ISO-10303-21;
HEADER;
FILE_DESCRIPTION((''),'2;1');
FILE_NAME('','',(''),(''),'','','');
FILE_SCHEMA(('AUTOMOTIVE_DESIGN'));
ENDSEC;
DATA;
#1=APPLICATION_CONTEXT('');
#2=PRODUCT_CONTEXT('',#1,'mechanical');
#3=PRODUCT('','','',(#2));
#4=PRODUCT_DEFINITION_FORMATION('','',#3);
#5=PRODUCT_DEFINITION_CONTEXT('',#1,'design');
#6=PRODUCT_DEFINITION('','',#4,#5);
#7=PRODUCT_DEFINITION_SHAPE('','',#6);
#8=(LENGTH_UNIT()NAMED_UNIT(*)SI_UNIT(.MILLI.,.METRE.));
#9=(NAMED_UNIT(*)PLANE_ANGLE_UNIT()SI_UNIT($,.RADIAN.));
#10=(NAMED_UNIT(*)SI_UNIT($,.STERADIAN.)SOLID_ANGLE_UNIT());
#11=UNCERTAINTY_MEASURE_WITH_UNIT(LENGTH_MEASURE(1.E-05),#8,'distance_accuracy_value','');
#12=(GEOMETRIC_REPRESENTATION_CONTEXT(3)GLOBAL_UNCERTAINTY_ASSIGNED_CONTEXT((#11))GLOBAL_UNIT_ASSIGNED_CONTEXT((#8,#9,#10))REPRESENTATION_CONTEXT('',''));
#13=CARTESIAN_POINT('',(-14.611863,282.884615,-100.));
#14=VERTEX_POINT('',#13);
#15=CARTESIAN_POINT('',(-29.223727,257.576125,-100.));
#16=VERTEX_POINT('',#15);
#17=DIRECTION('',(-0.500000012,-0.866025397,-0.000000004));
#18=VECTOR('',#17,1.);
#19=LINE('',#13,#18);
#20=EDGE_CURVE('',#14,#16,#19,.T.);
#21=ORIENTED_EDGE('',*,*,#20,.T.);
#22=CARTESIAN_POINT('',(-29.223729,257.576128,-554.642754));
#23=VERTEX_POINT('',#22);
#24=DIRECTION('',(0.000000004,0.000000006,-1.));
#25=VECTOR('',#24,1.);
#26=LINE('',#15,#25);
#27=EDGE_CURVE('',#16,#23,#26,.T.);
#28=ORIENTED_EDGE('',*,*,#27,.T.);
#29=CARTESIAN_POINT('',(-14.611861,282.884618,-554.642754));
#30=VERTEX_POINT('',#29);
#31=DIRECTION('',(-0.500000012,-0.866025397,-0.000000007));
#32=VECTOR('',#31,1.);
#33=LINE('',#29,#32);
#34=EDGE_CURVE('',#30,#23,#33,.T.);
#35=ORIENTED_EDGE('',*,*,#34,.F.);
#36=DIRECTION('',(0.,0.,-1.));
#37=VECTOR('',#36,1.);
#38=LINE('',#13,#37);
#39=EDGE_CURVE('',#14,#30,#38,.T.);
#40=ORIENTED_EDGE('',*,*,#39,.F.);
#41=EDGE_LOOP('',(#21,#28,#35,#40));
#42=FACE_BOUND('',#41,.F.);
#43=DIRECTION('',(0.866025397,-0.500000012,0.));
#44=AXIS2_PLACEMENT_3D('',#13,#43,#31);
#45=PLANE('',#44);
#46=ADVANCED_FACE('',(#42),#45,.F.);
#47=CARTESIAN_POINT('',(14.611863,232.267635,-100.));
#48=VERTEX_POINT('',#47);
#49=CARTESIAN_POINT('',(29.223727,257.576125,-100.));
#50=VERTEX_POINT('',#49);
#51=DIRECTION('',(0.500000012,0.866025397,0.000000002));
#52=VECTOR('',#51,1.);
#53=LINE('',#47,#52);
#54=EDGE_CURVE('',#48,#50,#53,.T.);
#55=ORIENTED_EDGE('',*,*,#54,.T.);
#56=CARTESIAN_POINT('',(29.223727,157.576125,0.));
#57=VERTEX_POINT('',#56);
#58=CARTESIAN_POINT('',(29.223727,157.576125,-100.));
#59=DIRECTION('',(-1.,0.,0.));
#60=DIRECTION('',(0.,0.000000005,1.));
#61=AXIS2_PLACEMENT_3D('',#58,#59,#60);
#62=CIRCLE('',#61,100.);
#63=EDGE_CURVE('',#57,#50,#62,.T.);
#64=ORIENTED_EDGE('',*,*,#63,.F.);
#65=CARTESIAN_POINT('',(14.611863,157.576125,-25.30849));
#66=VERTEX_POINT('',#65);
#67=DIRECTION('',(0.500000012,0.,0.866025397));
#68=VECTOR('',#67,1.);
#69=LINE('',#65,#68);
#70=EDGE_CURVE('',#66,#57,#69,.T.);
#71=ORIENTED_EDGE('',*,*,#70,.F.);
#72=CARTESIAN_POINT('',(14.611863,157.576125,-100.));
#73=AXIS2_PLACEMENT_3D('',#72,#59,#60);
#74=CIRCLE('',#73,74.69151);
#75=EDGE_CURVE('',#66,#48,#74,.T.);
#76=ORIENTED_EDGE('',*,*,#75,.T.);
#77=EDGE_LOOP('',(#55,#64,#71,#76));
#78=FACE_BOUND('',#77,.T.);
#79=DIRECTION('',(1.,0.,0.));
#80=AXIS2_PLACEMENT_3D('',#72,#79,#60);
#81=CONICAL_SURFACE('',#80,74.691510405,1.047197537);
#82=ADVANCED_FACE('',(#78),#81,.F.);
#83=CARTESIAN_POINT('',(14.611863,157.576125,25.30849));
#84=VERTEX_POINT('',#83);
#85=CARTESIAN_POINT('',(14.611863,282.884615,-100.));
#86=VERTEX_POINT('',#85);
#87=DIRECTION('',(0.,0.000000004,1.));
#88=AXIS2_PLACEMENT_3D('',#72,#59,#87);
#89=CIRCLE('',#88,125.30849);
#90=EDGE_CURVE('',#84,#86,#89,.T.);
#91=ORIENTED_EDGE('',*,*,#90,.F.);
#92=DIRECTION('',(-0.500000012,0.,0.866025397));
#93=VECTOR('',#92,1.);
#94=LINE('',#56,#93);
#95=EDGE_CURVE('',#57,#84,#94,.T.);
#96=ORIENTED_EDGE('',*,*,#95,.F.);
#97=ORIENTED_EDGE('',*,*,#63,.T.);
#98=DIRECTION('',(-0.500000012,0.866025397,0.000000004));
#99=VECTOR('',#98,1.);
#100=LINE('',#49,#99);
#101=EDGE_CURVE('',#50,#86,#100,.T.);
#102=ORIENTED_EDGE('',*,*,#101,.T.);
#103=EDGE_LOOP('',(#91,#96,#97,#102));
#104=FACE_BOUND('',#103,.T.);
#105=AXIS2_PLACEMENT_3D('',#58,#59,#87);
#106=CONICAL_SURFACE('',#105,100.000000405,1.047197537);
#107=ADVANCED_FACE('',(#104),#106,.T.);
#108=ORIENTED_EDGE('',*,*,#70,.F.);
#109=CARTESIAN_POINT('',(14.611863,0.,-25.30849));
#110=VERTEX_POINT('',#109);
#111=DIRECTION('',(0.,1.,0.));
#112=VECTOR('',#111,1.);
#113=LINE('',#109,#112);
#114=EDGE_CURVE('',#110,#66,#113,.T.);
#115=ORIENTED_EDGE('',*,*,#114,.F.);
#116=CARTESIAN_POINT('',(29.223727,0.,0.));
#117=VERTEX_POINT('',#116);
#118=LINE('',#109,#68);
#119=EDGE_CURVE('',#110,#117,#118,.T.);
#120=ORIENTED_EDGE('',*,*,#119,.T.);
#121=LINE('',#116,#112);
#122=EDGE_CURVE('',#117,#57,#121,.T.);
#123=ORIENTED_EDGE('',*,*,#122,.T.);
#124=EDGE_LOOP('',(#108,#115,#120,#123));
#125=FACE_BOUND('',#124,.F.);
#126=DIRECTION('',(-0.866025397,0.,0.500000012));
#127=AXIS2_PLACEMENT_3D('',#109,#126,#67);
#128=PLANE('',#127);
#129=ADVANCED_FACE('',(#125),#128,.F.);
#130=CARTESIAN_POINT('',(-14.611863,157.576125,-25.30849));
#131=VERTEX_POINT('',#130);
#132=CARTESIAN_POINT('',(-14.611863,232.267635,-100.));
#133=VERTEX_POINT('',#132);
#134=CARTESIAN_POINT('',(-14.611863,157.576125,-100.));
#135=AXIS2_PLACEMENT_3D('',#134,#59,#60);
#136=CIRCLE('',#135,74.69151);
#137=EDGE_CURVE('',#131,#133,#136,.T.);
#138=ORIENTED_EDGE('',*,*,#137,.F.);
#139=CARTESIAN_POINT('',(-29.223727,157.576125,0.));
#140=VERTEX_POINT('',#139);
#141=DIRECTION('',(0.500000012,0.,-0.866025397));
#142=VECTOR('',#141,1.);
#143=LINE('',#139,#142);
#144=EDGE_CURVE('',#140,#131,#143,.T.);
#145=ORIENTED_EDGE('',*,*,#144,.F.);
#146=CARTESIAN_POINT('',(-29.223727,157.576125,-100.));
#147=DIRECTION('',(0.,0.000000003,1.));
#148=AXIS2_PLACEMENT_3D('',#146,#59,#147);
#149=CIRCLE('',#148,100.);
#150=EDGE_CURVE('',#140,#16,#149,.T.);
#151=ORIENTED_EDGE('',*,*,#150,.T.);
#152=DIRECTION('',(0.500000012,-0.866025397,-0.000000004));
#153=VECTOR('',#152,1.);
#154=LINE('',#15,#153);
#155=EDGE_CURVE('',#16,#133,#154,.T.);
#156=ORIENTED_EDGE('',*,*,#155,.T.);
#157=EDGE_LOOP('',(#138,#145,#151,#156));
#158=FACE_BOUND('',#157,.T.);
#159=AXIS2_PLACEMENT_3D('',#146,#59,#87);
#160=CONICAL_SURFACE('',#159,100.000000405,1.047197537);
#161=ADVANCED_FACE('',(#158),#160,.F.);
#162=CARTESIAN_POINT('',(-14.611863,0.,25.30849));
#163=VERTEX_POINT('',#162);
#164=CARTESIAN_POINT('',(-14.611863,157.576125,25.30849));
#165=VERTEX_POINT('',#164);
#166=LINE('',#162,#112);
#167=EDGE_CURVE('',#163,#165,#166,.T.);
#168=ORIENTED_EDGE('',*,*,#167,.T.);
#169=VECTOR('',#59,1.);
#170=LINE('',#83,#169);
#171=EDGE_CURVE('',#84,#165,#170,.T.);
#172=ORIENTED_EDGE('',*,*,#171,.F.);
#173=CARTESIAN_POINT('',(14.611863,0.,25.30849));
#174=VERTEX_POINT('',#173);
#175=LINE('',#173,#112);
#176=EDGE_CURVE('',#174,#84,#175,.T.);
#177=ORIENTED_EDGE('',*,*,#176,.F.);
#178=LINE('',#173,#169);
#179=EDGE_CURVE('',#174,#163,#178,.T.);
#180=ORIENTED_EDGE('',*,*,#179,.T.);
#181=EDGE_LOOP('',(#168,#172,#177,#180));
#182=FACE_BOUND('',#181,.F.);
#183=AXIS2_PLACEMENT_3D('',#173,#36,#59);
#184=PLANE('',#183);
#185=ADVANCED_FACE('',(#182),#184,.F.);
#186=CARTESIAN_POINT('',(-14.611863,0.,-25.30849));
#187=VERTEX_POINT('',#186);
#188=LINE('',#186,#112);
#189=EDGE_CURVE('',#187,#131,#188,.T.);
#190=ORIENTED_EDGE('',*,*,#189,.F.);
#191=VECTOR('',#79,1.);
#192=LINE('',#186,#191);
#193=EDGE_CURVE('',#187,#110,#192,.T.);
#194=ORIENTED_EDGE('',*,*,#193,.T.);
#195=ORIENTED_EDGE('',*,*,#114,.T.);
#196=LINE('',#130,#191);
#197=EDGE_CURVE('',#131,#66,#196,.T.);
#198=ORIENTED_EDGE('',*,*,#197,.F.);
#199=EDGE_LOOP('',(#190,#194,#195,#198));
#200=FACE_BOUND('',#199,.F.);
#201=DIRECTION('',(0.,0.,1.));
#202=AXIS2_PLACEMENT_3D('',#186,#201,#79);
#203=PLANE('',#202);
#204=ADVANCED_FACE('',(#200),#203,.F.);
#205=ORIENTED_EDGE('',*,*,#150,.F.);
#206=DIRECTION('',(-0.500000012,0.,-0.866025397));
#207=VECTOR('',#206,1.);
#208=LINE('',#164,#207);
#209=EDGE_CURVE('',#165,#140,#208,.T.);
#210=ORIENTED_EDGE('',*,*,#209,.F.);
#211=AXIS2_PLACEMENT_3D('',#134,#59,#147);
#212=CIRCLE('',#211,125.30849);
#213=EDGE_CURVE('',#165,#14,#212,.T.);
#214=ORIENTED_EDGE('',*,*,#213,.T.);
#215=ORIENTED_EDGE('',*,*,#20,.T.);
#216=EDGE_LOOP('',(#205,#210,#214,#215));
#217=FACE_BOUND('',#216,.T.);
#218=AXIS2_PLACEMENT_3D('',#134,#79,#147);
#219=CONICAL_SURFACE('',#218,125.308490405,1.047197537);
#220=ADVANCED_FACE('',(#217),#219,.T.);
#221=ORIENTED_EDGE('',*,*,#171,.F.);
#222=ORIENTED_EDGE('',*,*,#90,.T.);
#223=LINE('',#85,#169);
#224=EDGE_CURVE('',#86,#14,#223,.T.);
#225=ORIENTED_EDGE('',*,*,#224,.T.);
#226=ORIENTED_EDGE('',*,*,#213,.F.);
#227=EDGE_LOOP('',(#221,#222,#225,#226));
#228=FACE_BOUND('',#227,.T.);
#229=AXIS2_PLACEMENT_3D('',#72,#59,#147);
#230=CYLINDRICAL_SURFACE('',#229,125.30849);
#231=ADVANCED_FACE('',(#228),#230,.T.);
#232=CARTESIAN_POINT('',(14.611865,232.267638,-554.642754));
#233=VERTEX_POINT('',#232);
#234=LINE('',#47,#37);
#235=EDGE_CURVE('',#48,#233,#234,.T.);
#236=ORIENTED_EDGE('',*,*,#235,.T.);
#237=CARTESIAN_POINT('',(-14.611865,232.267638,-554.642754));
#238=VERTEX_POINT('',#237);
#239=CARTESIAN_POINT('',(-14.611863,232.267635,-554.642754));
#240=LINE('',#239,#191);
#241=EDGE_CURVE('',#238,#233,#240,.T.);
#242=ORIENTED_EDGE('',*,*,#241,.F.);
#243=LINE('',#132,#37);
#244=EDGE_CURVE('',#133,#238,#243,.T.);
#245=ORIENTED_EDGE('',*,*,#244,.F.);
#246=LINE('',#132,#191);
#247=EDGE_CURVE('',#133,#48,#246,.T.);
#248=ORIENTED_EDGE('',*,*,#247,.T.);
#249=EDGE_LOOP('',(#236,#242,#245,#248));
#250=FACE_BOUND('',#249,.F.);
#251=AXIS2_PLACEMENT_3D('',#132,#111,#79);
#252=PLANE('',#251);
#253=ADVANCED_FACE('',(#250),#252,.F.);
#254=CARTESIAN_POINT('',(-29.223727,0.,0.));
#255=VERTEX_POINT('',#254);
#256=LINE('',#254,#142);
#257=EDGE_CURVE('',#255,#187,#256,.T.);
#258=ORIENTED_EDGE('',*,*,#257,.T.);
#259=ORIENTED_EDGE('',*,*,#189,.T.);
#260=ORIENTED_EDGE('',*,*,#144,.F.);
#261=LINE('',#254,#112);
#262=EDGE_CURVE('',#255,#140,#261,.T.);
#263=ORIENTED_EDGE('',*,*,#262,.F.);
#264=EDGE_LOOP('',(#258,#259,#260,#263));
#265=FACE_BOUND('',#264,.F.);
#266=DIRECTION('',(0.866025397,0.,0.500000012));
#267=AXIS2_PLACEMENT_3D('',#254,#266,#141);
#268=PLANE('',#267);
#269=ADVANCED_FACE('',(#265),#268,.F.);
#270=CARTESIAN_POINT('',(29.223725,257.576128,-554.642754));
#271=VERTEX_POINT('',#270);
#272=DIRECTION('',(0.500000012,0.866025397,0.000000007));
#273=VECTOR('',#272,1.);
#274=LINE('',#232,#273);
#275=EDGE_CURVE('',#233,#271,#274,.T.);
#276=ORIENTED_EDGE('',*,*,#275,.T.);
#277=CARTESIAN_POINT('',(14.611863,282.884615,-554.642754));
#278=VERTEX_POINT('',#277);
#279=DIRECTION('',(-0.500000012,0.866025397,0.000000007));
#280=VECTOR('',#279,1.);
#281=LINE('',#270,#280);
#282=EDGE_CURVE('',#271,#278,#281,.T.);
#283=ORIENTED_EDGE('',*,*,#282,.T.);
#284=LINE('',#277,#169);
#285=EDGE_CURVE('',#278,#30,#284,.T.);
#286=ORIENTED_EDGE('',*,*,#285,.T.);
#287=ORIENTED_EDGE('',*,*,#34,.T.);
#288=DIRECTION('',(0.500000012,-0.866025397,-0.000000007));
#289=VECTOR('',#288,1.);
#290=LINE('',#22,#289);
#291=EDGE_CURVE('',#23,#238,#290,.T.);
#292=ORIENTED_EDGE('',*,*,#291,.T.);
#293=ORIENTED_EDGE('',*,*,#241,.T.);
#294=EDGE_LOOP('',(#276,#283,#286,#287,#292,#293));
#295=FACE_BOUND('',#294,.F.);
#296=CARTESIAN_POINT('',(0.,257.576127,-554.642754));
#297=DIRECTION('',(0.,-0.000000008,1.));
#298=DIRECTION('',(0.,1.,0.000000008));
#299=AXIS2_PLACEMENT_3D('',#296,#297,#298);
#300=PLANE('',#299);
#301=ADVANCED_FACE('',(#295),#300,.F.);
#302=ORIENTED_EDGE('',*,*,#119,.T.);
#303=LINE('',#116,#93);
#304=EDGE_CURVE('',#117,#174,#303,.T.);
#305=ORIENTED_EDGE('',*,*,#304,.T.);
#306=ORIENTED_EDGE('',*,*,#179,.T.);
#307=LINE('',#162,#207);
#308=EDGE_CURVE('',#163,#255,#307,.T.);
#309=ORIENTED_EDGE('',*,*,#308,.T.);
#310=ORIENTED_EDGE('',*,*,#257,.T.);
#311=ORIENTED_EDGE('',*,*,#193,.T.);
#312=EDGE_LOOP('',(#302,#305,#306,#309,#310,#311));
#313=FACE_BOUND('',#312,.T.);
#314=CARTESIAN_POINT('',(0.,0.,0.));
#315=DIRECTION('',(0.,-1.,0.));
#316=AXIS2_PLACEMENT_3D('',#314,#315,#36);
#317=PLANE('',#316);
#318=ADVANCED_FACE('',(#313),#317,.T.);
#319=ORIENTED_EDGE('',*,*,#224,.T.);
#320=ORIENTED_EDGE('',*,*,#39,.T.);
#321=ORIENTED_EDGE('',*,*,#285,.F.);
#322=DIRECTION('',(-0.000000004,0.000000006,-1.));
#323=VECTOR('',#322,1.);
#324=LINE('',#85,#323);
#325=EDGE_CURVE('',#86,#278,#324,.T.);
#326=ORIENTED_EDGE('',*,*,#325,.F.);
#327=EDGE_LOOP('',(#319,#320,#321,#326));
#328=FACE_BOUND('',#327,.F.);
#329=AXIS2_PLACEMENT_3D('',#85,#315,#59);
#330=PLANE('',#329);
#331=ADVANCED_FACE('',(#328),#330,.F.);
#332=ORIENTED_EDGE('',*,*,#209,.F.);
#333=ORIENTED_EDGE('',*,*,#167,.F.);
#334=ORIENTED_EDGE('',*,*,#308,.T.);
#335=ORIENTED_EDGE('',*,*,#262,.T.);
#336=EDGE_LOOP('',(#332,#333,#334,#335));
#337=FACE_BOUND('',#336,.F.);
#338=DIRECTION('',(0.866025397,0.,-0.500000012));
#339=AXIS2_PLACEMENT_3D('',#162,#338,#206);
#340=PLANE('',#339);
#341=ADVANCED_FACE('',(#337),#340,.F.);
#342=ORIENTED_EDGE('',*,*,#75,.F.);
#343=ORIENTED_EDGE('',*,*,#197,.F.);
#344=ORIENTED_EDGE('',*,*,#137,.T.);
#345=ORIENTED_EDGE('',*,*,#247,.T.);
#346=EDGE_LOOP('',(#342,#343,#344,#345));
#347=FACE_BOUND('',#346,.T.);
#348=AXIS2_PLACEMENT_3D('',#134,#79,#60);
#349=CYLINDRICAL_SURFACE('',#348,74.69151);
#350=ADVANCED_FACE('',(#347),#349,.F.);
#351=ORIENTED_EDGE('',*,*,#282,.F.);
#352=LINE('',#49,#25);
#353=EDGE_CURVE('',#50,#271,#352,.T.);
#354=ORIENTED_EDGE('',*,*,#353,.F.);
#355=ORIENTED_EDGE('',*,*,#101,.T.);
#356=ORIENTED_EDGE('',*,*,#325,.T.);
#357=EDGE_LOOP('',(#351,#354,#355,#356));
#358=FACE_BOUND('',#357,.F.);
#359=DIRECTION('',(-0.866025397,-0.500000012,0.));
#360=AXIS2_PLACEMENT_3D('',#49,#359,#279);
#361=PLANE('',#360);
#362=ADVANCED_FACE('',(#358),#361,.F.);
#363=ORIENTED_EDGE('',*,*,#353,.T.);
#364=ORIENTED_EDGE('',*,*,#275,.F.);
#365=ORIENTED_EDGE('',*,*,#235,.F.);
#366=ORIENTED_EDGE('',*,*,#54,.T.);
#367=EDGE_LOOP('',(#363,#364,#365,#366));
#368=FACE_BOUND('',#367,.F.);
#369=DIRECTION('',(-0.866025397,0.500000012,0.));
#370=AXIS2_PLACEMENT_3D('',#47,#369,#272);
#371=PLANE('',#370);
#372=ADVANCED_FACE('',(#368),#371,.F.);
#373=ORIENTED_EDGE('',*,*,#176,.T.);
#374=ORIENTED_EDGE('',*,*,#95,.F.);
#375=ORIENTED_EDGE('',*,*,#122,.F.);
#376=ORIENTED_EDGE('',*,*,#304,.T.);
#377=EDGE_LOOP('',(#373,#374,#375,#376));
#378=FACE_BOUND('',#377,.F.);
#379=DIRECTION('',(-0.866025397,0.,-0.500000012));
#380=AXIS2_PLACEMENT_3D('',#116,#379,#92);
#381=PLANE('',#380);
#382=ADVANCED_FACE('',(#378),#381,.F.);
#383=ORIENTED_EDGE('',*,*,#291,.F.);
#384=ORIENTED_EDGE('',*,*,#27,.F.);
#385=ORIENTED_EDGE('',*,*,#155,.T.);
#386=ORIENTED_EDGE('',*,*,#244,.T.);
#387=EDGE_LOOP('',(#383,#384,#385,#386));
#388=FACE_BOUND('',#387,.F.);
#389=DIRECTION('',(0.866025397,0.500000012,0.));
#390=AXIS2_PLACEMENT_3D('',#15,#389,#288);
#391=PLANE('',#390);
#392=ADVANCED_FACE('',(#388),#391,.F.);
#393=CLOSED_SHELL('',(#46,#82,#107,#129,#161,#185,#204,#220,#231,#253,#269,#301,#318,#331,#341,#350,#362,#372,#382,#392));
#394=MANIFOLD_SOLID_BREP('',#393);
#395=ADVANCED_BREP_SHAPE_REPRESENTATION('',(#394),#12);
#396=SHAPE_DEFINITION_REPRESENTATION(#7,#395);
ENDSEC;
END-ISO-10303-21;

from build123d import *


with BuildPart() as f2:
    # F2: sweep along a path in F1
    with BuildLine(Plane.YZ) as f2_path:
        Line((0, 0), (157.576125, 0))
        ThreePointArc((157.576125, 0), (228.286803, -29.289322), (257.576125, -100))
        Line((257.576125, -100), (257.576125, -554.642754))
    # F0 (on Front) → F2 (sweep)
    with BuildSketch(Plane.XZ):
        Polygon((-14.611863, -25.30849), (14.611863, -25.30849), (29.223727, 0), (14.611863, 25.30849), (-14.611863, 25.30849), (-29.223727, 0), align=None)
    sweep(path=f2_path.line)


solid = f2.part
